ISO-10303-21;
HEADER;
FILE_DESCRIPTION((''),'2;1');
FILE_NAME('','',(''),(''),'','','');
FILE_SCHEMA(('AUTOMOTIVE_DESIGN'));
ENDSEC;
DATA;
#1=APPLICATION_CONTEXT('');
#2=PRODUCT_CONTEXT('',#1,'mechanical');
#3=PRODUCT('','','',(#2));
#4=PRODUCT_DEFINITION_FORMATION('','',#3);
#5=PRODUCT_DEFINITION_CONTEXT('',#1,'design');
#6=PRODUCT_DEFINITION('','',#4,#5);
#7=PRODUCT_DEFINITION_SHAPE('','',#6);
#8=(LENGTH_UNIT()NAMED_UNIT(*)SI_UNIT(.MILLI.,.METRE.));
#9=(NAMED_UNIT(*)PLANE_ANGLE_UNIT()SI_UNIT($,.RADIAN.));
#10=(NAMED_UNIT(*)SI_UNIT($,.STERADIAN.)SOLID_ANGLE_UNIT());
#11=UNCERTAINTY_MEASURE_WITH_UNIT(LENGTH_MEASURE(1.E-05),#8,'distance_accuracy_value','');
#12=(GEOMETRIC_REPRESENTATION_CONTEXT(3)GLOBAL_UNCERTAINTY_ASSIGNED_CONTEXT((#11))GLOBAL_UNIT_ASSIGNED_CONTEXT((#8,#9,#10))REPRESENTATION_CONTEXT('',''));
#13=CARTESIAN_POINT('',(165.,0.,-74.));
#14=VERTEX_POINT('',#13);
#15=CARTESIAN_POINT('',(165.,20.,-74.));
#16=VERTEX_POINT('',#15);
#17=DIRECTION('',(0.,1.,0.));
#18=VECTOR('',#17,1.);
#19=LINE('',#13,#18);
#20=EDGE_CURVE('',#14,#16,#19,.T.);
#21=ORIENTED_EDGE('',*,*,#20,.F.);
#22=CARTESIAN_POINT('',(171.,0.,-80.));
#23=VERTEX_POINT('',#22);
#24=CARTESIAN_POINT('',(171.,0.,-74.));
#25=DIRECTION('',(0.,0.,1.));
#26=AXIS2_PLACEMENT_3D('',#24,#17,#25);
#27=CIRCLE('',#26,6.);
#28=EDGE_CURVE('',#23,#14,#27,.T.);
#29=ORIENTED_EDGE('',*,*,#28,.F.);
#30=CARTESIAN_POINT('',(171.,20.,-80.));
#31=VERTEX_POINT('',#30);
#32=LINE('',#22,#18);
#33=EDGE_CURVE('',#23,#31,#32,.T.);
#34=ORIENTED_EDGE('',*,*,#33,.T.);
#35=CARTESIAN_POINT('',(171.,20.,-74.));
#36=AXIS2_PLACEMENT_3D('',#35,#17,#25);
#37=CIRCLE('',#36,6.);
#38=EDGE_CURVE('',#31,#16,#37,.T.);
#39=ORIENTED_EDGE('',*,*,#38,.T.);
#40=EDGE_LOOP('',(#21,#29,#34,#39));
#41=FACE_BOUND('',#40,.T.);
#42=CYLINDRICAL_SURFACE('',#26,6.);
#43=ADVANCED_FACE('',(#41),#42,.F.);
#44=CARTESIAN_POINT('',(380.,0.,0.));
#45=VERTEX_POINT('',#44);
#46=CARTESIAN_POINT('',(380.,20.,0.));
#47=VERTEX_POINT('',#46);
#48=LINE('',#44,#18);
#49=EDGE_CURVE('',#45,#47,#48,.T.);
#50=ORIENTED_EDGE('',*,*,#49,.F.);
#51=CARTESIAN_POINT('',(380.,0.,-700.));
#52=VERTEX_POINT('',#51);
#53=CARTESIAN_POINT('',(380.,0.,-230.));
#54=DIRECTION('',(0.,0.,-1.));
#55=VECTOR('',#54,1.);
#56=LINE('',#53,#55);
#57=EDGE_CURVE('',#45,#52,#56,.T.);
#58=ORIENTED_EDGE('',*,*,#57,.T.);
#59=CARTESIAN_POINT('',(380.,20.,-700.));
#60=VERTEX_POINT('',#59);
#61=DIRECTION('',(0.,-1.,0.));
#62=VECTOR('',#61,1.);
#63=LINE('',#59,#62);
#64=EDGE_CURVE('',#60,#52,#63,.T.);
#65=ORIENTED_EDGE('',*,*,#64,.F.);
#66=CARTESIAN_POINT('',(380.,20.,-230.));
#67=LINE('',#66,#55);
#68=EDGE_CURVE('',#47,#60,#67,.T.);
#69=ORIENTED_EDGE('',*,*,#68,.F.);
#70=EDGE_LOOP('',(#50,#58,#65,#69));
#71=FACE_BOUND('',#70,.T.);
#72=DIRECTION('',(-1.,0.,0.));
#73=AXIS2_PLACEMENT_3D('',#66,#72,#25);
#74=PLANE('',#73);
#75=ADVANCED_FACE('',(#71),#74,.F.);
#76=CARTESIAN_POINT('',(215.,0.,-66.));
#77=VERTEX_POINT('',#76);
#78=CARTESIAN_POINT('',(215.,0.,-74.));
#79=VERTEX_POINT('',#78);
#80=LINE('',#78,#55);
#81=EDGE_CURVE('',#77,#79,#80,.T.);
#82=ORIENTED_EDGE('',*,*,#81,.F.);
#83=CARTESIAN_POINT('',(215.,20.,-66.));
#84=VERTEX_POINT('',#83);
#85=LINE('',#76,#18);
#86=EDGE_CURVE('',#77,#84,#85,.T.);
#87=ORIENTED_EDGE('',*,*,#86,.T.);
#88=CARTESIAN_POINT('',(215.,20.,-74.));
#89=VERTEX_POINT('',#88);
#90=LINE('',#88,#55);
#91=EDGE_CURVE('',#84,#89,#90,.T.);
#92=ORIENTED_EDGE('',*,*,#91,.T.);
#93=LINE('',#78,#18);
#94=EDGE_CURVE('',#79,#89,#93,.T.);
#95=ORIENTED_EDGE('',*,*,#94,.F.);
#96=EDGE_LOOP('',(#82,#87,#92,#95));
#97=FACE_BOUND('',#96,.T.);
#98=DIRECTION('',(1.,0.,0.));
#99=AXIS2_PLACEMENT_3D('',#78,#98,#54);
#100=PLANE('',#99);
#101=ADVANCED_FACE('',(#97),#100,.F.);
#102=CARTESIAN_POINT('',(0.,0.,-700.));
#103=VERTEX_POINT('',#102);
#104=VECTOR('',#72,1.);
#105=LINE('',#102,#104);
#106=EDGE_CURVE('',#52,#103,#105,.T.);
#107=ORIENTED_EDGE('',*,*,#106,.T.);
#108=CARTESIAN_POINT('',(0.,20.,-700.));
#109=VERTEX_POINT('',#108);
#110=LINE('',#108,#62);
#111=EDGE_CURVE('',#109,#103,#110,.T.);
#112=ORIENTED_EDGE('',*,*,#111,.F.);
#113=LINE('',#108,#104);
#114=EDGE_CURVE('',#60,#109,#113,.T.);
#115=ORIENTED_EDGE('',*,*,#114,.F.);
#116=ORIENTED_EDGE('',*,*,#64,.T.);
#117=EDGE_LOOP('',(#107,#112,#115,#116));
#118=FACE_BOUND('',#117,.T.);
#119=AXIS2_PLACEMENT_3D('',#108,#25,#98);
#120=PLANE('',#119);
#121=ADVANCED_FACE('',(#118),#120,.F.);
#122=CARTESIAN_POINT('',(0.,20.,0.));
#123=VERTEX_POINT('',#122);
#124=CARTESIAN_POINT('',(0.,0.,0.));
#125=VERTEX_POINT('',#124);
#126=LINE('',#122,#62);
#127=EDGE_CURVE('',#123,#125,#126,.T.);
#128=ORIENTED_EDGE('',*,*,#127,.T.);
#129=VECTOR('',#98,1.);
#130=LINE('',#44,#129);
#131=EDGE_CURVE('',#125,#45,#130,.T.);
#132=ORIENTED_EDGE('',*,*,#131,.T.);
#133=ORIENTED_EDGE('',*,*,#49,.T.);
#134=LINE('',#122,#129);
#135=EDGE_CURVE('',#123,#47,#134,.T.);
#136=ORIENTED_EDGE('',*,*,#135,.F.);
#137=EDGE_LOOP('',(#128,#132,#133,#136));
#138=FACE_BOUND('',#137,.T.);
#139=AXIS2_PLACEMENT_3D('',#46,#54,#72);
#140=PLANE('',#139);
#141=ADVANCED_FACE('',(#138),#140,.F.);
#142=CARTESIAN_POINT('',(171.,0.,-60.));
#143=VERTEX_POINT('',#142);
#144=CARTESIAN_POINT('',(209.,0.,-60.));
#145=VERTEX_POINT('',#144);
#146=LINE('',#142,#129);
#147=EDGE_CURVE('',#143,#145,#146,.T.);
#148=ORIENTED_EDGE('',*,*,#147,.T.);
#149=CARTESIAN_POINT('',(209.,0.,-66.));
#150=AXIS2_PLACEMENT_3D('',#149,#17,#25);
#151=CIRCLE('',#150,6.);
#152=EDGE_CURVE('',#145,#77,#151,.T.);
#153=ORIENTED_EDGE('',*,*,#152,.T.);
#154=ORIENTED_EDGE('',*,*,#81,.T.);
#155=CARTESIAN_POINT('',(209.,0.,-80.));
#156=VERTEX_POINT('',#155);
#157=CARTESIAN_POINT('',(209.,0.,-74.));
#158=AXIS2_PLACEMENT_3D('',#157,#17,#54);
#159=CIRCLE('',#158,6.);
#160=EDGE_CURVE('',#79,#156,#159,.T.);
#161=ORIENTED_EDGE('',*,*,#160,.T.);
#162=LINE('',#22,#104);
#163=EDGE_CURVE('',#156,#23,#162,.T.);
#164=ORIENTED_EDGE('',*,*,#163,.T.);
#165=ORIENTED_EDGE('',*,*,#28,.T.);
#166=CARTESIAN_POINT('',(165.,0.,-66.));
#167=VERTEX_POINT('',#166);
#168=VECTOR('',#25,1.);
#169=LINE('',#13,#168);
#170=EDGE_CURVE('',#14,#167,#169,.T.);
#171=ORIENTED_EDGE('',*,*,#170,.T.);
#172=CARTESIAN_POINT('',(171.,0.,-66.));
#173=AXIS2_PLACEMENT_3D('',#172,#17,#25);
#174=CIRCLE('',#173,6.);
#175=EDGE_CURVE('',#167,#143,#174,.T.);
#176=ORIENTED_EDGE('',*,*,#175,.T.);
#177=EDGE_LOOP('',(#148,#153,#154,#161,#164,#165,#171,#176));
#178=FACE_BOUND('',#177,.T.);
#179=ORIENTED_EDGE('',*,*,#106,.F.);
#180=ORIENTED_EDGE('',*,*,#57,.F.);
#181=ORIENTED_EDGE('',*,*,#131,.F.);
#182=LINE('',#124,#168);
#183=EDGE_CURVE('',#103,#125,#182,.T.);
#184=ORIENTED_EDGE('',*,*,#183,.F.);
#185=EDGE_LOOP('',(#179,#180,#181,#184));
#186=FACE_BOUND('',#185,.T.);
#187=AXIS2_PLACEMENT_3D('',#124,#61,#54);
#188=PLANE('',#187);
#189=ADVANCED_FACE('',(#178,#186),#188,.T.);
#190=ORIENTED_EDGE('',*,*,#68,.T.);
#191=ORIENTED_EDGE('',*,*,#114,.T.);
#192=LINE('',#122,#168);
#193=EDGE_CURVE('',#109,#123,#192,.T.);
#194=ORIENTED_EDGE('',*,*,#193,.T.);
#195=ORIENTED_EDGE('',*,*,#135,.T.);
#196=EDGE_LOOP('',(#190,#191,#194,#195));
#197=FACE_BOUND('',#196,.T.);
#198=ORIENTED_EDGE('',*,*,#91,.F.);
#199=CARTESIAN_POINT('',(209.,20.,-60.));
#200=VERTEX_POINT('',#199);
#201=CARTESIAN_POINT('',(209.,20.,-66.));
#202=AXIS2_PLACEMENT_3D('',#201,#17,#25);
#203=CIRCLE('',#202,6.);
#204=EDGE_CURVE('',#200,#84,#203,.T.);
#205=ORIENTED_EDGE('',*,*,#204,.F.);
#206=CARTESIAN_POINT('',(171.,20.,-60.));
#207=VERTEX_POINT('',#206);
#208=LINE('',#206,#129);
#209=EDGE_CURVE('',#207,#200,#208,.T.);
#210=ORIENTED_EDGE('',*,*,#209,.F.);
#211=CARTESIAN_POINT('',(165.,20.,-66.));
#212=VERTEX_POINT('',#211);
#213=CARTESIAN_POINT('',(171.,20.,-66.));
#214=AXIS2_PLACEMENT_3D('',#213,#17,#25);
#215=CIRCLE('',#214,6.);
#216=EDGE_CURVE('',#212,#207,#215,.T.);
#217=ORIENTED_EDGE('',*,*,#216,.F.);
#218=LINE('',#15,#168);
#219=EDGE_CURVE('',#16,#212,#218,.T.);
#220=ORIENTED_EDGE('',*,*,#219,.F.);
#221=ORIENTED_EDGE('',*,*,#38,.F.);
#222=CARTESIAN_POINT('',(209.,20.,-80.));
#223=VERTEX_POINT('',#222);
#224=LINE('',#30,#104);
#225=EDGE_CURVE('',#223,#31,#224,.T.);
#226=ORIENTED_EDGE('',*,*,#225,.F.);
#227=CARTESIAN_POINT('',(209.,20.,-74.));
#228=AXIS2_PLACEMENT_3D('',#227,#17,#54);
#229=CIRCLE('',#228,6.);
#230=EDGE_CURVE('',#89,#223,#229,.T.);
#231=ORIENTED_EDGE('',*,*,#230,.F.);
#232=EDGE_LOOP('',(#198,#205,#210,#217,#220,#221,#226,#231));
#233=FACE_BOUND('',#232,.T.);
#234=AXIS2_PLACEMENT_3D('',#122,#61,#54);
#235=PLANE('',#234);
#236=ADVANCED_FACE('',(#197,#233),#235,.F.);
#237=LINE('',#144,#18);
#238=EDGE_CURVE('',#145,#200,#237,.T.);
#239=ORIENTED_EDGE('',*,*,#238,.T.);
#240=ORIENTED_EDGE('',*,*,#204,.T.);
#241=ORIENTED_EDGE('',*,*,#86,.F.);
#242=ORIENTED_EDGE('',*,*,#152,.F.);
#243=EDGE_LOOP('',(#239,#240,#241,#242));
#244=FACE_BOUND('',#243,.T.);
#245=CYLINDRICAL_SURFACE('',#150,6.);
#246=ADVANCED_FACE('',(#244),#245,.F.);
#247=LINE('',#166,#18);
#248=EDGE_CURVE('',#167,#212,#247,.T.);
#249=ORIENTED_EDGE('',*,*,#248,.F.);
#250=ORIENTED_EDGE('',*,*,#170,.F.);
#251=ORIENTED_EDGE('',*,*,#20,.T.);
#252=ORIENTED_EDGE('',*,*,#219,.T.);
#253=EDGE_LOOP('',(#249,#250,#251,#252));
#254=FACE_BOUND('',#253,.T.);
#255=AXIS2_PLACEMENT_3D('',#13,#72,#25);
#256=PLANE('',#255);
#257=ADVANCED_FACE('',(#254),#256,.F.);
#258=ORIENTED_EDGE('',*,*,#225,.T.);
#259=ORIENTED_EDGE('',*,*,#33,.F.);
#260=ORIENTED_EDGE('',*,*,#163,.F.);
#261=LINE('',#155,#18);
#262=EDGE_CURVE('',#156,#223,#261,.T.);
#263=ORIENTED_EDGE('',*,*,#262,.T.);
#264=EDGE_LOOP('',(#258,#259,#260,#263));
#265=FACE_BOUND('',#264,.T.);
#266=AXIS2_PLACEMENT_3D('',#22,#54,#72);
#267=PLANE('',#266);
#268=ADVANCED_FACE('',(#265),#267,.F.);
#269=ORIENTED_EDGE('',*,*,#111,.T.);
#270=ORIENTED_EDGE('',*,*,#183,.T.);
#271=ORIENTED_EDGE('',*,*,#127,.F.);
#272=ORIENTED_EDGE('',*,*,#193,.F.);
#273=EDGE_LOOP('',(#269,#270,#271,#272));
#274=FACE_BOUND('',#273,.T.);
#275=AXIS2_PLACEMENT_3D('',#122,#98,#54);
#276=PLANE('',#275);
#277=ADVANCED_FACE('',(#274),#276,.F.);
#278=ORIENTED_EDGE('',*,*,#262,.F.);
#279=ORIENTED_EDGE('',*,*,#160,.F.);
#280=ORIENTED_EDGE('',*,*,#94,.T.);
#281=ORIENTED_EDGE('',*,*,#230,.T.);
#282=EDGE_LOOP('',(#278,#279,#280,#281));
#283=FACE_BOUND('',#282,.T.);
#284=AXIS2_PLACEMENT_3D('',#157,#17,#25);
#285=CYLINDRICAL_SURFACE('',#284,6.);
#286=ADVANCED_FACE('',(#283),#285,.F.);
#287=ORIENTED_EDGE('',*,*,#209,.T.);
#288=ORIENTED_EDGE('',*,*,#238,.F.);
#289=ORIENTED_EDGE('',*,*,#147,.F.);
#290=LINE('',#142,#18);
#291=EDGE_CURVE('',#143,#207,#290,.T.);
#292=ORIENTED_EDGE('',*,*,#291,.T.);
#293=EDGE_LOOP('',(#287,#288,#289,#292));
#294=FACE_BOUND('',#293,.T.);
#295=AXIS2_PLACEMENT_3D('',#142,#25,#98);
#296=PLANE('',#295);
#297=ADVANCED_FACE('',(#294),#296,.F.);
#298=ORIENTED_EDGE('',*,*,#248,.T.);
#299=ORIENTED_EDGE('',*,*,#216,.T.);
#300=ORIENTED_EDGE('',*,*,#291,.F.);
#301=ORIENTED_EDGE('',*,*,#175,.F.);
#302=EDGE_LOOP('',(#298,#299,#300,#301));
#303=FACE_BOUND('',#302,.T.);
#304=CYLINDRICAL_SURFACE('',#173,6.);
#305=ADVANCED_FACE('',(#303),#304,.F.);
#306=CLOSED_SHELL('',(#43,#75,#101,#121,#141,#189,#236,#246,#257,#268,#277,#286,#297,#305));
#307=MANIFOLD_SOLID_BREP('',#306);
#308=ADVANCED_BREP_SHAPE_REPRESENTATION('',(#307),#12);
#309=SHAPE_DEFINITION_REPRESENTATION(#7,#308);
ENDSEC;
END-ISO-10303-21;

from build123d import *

# Parameters (mm, degrees)
EXTRUDE_1_DEPTH     = 20
SKETCH_2_W          = 336
SKETCH_2_H          = 230
CUT_EXTRUDE_1_DEPTH = 20
CUT_EXTRUDE_2_DEPTH = 20


with BuildPart() as part:
    # 草图1 → 凸台-拉伸1 (new body)
    with BuildSketch(Plane(origin=(0, 0, 0), x_dir=(1, 0, 0), z_dir=(0, 1, 0))):
        Polygon((0, 0), (380, 0), (716, 0), (716, 230), (380, 230), (380, 700), (0, 700), align=None)
    extrude(amount=EXTRUDE_1_DEPTH)

    # 草图2 → 切除-拉伸1 (cut)
    with BuildSketch(Plane(origin=(0, 20, 0), x_dir=(1, 0, 0), z_dir=(0, 1, 0))):
        with Locations((548, 115)):
            Rectangle(SKETCH_2_W, SKETCH_2_H)
    extrude(amount=-CUT_EXTRUDE_1_DEPTH, mode=Mode.SUBTRACT)

    # 草图3 → 切除-拉伸2 (cut)
    with BuildSketch(Plane(origin=(0, 20, 0), x_dir=(1, 0, 0), z_dir=(0, 1, 0))):
        with BuildLine():
            Line((171, 80), (209, 80))
            ThreePointArc((209, 80), (213.242640687, 78.242640687), (215, 74))
            Line((215, 74), (215, 66))
            ThreePointArc((215, 66), (213.242640687, 61.757359313), (209, 60))
            Line((209, 60), (171, 60))
            ThreePointArc((171, 60), (166.757359313, 61.757359313), (165, 66))
            Line((165, 66), (165, 74))
            ThreePointArc((165, 74), (166.757359313, 78.242640687), (171, 80))
        make_face()
    extrude(amount=-CUT_EXTRUDE_2_DEPTH, mode=Mode.SUBTRACT)


solid = part.part
